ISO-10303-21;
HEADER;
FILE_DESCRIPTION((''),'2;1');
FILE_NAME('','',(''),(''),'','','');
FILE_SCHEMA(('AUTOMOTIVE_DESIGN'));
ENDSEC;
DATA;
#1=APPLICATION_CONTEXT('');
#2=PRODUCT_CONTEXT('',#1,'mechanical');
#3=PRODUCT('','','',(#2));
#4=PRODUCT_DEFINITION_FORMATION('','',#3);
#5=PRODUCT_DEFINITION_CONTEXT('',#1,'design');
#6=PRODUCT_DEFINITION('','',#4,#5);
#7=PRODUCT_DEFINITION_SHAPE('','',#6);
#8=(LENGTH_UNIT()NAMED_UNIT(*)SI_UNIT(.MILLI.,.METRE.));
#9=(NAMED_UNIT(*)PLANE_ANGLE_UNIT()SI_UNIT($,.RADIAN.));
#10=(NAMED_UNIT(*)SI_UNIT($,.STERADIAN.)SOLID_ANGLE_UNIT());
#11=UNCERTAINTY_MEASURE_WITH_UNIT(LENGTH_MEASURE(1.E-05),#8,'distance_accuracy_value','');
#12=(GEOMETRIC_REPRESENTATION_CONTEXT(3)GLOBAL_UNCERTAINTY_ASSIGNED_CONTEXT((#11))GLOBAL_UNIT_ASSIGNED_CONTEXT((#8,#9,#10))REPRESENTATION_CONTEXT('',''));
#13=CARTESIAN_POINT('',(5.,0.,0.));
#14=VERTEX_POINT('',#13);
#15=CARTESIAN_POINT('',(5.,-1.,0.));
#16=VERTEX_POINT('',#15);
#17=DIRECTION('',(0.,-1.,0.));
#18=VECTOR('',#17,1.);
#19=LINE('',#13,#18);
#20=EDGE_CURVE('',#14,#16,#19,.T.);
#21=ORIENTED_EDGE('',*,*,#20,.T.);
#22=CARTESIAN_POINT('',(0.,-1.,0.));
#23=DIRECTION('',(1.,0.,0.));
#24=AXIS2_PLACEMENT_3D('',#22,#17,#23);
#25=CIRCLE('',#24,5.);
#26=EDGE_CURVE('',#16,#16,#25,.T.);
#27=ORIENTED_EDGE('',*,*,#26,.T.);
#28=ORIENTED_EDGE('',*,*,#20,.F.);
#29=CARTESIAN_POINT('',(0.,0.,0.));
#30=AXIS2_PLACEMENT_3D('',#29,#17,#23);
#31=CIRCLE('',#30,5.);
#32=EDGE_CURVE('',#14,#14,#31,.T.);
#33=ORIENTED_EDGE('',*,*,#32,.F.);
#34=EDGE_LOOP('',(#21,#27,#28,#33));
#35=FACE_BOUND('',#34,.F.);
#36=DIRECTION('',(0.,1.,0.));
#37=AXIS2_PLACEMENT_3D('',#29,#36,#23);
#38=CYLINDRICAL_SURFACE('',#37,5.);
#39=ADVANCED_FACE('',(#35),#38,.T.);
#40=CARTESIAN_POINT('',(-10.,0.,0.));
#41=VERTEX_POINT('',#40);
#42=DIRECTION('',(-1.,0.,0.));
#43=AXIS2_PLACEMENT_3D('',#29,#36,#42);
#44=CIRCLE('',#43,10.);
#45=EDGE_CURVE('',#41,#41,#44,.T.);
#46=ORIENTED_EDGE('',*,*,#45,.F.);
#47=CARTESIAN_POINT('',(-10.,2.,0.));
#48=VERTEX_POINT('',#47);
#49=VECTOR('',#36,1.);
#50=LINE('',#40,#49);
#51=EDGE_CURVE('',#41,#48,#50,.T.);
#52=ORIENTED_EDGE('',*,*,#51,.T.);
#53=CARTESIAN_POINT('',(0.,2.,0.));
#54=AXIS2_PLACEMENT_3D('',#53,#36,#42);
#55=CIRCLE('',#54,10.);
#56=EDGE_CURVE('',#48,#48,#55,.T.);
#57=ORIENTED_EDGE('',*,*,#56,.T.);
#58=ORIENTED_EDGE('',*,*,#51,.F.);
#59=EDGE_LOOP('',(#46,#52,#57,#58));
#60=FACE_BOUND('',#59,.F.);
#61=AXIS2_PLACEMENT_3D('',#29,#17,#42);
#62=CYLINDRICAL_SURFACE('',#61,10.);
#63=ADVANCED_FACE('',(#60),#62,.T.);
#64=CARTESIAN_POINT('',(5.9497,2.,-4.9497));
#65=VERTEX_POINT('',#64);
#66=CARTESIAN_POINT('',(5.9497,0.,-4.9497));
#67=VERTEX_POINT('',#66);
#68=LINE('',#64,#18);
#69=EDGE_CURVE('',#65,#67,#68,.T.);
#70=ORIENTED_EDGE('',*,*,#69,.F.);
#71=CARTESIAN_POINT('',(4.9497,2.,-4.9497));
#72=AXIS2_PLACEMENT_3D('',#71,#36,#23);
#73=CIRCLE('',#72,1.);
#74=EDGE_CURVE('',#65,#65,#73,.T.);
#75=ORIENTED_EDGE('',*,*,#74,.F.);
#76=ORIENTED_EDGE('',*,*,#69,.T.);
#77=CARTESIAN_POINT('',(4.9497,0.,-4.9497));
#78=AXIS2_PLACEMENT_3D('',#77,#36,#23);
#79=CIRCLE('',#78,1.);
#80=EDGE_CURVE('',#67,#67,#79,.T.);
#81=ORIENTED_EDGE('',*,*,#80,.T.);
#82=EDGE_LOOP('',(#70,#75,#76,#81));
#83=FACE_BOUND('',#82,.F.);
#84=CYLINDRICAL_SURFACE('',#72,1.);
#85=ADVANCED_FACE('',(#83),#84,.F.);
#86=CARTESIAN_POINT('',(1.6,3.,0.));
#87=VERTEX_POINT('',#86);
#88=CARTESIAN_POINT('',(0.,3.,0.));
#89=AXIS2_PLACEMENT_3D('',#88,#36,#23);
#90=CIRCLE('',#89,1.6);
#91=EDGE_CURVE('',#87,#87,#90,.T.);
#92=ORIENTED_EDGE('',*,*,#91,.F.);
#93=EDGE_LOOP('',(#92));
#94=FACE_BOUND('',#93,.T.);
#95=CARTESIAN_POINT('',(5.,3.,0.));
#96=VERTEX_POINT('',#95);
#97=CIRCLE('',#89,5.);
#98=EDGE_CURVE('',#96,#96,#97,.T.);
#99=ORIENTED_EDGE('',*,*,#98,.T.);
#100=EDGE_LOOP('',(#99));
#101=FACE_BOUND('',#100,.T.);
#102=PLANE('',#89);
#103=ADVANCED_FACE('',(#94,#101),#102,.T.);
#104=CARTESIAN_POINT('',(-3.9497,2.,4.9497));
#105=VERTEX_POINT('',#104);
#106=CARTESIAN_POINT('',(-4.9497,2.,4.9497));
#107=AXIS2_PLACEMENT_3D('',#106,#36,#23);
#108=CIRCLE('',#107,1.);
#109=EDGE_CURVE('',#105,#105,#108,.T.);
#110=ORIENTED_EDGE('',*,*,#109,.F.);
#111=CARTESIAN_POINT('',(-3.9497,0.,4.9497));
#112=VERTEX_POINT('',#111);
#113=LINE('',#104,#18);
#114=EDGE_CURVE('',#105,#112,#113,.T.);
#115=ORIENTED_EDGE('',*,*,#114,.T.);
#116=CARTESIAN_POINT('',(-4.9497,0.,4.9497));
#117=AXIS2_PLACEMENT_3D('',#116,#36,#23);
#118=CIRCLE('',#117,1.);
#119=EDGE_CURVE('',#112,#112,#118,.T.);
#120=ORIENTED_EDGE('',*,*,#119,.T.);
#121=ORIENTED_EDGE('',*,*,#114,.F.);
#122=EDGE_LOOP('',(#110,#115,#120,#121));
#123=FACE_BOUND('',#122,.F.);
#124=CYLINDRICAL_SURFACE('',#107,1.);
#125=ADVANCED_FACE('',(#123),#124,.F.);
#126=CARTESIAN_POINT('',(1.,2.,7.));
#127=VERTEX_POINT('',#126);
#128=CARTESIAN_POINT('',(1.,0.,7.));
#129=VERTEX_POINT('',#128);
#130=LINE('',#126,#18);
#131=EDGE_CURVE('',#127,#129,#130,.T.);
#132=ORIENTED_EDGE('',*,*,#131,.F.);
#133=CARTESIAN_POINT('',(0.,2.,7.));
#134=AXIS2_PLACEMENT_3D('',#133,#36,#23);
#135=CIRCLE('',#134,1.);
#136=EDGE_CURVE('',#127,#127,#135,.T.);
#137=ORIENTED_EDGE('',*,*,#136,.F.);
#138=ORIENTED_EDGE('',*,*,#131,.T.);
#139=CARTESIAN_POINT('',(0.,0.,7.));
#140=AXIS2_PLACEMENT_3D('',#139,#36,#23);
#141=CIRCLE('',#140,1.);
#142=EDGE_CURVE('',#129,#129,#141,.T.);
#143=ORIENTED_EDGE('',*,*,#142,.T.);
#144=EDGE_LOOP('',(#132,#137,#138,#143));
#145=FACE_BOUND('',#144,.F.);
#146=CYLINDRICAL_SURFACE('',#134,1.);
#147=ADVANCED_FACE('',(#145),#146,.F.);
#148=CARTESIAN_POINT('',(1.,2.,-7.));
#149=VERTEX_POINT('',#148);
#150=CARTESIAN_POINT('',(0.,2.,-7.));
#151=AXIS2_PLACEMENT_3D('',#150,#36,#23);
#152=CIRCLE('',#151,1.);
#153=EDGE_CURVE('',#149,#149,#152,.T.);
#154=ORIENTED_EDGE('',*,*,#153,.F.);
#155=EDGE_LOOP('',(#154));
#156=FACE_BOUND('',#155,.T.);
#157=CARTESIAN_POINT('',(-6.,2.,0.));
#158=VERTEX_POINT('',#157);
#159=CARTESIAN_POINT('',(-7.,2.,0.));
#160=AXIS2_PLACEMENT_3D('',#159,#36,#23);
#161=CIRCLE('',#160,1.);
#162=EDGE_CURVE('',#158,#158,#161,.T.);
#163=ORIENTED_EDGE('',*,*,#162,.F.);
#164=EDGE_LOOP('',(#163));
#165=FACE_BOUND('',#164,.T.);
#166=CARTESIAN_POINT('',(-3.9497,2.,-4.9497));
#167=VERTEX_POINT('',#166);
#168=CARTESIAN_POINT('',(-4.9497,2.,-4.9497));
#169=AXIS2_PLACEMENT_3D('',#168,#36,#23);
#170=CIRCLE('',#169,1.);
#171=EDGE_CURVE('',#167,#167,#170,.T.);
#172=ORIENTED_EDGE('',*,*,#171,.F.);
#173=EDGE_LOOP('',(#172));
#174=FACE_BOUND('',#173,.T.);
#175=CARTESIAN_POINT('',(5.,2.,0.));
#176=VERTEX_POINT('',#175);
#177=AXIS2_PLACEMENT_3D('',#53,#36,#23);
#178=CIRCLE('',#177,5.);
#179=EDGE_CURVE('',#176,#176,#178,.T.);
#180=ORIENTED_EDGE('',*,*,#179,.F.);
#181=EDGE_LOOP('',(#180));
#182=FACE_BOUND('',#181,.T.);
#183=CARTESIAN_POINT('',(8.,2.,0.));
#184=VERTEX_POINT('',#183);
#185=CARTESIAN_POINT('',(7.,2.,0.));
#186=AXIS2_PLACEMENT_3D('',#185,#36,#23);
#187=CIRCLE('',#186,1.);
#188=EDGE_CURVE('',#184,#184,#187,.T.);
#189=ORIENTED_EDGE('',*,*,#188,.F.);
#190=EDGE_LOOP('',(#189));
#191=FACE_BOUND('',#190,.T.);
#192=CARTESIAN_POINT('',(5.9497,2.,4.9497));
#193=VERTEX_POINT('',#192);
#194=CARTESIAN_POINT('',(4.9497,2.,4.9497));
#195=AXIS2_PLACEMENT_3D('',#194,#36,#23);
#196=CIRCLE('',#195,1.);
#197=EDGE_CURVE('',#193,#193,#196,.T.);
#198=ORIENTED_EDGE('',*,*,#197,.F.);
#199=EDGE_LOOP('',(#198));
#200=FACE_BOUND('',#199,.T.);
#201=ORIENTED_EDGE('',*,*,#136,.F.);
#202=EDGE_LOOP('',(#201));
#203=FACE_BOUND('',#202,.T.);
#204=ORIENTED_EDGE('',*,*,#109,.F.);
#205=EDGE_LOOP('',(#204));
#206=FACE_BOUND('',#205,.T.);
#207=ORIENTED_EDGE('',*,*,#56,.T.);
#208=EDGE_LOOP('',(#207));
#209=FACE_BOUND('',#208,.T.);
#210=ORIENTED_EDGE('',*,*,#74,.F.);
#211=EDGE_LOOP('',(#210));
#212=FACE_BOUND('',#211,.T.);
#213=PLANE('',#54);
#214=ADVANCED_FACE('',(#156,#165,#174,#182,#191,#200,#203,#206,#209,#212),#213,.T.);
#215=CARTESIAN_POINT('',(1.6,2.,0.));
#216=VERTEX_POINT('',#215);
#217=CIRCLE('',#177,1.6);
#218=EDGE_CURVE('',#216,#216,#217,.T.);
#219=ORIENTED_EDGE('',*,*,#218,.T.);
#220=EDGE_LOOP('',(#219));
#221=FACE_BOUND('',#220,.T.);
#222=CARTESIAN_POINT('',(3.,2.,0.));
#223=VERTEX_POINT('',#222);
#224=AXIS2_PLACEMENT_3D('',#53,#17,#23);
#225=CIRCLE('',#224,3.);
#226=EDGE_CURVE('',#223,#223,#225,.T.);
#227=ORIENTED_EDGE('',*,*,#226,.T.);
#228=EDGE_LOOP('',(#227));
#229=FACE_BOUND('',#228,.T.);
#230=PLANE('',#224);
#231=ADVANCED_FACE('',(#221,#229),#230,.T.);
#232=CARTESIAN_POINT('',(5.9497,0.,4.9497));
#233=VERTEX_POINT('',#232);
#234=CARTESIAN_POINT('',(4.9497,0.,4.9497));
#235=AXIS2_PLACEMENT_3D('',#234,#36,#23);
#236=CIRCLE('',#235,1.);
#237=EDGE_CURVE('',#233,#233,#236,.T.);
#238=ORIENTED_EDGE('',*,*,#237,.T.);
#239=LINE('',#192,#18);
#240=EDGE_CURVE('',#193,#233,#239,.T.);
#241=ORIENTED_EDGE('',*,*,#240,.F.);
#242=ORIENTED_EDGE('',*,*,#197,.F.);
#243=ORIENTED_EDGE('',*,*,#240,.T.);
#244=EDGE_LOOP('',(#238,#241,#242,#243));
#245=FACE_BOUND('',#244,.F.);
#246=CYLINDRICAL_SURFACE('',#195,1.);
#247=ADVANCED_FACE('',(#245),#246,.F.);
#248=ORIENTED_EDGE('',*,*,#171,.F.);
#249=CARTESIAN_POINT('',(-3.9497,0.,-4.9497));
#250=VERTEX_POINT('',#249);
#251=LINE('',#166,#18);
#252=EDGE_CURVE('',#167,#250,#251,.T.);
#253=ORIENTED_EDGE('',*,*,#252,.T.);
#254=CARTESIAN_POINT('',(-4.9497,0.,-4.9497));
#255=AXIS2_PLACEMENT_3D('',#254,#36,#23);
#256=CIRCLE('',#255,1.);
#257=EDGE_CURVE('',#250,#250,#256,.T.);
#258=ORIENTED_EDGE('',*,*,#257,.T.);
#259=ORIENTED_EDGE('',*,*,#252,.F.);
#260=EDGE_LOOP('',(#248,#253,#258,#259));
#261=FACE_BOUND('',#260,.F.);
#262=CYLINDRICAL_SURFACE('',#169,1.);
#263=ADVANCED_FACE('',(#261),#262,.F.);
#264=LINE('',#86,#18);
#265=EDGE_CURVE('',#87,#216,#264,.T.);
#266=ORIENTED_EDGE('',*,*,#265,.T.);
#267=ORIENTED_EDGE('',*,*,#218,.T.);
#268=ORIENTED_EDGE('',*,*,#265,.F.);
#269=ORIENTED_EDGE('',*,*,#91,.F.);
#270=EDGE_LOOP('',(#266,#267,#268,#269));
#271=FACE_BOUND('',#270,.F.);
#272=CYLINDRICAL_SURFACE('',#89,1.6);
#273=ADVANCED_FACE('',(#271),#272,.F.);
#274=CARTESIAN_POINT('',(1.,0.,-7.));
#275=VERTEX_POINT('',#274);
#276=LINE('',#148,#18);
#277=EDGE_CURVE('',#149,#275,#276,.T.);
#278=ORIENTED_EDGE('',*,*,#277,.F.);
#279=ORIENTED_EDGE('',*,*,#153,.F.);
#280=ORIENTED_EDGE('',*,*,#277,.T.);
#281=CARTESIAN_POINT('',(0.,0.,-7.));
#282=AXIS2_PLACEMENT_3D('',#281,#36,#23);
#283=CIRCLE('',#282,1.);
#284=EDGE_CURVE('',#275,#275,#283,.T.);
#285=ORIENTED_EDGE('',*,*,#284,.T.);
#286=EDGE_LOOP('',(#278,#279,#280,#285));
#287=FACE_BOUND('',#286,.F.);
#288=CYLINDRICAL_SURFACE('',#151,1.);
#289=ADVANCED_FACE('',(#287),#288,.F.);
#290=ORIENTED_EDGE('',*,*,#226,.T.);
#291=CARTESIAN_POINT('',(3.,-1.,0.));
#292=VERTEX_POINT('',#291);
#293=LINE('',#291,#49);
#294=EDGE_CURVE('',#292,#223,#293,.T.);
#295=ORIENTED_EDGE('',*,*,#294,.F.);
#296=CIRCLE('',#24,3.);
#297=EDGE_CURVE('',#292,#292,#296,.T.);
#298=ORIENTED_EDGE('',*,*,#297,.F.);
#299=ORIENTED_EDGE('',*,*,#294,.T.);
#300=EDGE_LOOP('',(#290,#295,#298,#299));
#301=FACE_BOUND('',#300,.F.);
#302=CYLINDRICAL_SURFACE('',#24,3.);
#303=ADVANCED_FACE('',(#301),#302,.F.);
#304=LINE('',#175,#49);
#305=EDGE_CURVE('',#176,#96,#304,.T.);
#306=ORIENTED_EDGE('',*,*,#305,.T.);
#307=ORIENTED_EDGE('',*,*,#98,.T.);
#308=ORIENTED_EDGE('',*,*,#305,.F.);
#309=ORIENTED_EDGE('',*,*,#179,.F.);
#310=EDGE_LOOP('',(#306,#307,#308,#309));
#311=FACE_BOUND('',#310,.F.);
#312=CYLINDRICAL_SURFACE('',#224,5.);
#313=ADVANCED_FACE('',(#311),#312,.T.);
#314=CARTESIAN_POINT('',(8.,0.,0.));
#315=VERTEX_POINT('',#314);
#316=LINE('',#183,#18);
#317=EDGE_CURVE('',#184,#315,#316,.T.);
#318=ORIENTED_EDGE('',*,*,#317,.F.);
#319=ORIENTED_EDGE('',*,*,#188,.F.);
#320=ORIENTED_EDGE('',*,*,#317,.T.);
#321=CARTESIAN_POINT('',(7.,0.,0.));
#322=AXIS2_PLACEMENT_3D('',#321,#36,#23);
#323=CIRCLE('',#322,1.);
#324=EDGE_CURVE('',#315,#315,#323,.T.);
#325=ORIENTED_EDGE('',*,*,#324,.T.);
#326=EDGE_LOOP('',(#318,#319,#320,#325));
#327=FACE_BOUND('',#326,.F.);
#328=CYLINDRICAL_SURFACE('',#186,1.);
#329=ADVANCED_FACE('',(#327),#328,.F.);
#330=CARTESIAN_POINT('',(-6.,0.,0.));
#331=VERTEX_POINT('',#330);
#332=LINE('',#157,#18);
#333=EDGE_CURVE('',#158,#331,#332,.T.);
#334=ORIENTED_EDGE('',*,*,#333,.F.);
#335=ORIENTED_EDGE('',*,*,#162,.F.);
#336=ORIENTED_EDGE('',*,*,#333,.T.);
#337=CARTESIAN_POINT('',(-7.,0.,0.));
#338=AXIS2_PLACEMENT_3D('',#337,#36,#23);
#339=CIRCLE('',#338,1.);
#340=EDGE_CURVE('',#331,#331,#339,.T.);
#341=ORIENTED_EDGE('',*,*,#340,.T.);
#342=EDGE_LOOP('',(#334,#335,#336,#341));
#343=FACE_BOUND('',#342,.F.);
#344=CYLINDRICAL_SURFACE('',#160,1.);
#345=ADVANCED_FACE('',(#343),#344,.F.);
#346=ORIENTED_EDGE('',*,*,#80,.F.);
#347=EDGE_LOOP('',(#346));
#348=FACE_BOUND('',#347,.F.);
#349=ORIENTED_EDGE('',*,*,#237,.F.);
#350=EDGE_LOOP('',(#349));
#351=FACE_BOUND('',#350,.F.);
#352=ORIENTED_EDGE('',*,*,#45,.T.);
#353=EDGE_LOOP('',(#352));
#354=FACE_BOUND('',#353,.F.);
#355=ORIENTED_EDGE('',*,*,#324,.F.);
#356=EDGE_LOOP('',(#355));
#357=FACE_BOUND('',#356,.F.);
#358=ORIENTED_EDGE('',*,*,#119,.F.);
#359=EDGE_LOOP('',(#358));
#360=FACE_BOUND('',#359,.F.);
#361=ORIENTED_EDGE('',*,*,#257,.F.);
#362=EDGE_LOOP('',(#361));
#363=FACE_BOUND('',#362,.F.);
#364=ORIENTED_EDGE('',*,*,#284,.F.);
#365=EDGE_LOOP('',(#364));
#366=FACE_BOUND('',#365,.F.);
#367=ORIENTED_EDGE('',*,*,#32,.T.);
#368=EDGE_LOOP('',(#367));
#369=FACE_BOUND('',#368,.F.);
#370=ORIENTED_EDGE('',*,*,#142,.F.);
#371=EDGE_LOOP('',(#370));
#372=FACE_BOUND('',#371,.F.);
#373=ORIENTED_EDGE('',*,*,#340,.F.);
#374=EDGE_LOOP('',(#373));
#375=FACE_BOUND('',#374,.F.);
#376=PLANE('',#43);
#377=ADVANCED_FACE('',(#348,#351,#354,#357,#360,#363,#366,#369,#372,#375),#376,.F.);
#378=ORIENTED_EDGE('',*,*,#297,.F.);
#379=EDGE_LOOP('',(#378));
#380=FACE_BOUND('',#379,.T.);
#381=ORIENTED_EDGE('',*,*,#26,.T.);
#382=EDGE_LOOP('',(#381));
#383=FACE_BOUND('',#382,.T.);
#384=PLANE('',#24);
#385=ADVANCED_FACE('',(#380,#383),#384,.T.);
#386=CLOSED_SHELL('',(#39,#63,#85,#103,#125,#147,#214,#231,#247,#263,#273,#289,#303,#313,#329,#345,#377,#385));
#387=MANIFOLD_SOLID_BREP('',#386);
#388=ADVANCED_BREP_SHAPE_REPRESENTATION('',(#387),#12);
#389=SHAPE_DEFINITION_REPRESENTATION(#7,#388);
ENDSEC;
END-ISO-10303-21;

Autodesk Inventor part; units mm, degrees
ref_plane "YZ Plane" through (0, 0, 0) normal (1, 0, 0) x (0, 1, 0)
ref_plane "XZ Plane" through (0, 0, 0) normal (0, 1, 0) x (-1, 0, 0)
ref_plane "XY Plane" through (0, 0, 0) normal (0, 0, 1) x (1, 0, 0)
sketch "スケッチ1" plane through (0, 0, 0) normal (0, 1, 0) x (-1, 0, 0)
  circle A0 centre (0, 0) radius 10
  circle A1 centre (0, 0) radius 7 construction
  circle A2 centre (-7, 0) radius 1
  circle A3 centre (-4.9497, -4.9497) radius 1
  circle A4 centre (4.9497, -4.9497) radius 1
  circle A5 centre (0, -7) radius 1
  circle A6 centre (7, 0) radius 1
  circle A7 centre (4.9497, 4.9497) radius 1
  circle A8 centre (0, 7) radius 1
  circle A9 centre (-4.9497, 4.9497) radius 1
  circle A10 centre (0, 0) radius 5
  dimension "d26" = 14
  dimension "d0" = 20
  dimension "d27" = 2
  dimension "d28" = 2
  dimension "d29" = 2
  dimension "d30" = 2
  dimension "d31" = 2
  dimension "d32" = 2
  dimension "d33" = 2
  dimension "d34" = 2
  dimension "d35" = 10
extrude "押し出し1" add sketch "スケッチ1" along normal blind 2 contours A0 | A2 | A3 | A4 | A5 | A6 | A7 | A8 | A9 | A10
sketch "スケッチ2" plane through (0, 2, 0) normal (0, 1, 0) x (1, 0, 0)
  circle A0 centre (0, 0) radius 7 construction
  circle A1 centre (-7, 0) radius 1
  circle A2 centre (-4.9497, -4.9497) radius 1
  circle A3 centre (0, -7) radius 1
  circle A4 centre (4.9497, -4.9497) radius 1
  circle A5 centre (7, 0) radius 1
  circle A6 centre (4.9497, 4.9497) radius 1
  circle A7 centre (-4.9497, 4.9497) radius 1
  circle A8 centre (0, 7) radius 1
  dimension "d3" = 14
  dimension "d4" = 2
  dimension "d5" = 2
  dimension "d6" = 2
  dimension "d7" = 2
  dimension "d8" = 2
  dimension "d9" = 2
  dimension "d10" = 2
  dimension "d11" = 2
extrude "押し出し2" cut sketch "スケッチ2" against normal blind 2
sketch "スケッチ3" plane through (0, 2, 0) normal (0, 1, 0) x (1, 0, 0)
  circle A0 centre (0, 0) radius 5
  dimension "d14" = 10
extrude "押し出し3" add sketch "スケッチ3" along normal blind 1
sketch "スケッチ4" plane through (0, 3, 0) normal (0, 1, 0) x (1, 0, 0)
  circle A0 centre (0, 0) radius 1.6
  dimension "d17" = 3.2
extrude "押し出し4" cut sketch "スケッチ4" against normal blind 1
sketch "スケッチ5" plane through (0, 0, 0) normal (0, -1, 0) x (1, 0, 0)
  circle A0 centre (0, 0) radius 5
  dimension "d20" = 10
extrude "押し出し5" add sketch "スケッチ5" along normal blind 1
sketch "スケッチ6" plane through (0, -1, 0) normal (0, -1, 0) x (1, 0, 0)
  circle A0 centre (0, 0) radius 3
  dimension "d23" = 6
extrude "押し出し6" cut sketch "スケッチ6" against normal blind 3
properties part number "ServoHorn"
